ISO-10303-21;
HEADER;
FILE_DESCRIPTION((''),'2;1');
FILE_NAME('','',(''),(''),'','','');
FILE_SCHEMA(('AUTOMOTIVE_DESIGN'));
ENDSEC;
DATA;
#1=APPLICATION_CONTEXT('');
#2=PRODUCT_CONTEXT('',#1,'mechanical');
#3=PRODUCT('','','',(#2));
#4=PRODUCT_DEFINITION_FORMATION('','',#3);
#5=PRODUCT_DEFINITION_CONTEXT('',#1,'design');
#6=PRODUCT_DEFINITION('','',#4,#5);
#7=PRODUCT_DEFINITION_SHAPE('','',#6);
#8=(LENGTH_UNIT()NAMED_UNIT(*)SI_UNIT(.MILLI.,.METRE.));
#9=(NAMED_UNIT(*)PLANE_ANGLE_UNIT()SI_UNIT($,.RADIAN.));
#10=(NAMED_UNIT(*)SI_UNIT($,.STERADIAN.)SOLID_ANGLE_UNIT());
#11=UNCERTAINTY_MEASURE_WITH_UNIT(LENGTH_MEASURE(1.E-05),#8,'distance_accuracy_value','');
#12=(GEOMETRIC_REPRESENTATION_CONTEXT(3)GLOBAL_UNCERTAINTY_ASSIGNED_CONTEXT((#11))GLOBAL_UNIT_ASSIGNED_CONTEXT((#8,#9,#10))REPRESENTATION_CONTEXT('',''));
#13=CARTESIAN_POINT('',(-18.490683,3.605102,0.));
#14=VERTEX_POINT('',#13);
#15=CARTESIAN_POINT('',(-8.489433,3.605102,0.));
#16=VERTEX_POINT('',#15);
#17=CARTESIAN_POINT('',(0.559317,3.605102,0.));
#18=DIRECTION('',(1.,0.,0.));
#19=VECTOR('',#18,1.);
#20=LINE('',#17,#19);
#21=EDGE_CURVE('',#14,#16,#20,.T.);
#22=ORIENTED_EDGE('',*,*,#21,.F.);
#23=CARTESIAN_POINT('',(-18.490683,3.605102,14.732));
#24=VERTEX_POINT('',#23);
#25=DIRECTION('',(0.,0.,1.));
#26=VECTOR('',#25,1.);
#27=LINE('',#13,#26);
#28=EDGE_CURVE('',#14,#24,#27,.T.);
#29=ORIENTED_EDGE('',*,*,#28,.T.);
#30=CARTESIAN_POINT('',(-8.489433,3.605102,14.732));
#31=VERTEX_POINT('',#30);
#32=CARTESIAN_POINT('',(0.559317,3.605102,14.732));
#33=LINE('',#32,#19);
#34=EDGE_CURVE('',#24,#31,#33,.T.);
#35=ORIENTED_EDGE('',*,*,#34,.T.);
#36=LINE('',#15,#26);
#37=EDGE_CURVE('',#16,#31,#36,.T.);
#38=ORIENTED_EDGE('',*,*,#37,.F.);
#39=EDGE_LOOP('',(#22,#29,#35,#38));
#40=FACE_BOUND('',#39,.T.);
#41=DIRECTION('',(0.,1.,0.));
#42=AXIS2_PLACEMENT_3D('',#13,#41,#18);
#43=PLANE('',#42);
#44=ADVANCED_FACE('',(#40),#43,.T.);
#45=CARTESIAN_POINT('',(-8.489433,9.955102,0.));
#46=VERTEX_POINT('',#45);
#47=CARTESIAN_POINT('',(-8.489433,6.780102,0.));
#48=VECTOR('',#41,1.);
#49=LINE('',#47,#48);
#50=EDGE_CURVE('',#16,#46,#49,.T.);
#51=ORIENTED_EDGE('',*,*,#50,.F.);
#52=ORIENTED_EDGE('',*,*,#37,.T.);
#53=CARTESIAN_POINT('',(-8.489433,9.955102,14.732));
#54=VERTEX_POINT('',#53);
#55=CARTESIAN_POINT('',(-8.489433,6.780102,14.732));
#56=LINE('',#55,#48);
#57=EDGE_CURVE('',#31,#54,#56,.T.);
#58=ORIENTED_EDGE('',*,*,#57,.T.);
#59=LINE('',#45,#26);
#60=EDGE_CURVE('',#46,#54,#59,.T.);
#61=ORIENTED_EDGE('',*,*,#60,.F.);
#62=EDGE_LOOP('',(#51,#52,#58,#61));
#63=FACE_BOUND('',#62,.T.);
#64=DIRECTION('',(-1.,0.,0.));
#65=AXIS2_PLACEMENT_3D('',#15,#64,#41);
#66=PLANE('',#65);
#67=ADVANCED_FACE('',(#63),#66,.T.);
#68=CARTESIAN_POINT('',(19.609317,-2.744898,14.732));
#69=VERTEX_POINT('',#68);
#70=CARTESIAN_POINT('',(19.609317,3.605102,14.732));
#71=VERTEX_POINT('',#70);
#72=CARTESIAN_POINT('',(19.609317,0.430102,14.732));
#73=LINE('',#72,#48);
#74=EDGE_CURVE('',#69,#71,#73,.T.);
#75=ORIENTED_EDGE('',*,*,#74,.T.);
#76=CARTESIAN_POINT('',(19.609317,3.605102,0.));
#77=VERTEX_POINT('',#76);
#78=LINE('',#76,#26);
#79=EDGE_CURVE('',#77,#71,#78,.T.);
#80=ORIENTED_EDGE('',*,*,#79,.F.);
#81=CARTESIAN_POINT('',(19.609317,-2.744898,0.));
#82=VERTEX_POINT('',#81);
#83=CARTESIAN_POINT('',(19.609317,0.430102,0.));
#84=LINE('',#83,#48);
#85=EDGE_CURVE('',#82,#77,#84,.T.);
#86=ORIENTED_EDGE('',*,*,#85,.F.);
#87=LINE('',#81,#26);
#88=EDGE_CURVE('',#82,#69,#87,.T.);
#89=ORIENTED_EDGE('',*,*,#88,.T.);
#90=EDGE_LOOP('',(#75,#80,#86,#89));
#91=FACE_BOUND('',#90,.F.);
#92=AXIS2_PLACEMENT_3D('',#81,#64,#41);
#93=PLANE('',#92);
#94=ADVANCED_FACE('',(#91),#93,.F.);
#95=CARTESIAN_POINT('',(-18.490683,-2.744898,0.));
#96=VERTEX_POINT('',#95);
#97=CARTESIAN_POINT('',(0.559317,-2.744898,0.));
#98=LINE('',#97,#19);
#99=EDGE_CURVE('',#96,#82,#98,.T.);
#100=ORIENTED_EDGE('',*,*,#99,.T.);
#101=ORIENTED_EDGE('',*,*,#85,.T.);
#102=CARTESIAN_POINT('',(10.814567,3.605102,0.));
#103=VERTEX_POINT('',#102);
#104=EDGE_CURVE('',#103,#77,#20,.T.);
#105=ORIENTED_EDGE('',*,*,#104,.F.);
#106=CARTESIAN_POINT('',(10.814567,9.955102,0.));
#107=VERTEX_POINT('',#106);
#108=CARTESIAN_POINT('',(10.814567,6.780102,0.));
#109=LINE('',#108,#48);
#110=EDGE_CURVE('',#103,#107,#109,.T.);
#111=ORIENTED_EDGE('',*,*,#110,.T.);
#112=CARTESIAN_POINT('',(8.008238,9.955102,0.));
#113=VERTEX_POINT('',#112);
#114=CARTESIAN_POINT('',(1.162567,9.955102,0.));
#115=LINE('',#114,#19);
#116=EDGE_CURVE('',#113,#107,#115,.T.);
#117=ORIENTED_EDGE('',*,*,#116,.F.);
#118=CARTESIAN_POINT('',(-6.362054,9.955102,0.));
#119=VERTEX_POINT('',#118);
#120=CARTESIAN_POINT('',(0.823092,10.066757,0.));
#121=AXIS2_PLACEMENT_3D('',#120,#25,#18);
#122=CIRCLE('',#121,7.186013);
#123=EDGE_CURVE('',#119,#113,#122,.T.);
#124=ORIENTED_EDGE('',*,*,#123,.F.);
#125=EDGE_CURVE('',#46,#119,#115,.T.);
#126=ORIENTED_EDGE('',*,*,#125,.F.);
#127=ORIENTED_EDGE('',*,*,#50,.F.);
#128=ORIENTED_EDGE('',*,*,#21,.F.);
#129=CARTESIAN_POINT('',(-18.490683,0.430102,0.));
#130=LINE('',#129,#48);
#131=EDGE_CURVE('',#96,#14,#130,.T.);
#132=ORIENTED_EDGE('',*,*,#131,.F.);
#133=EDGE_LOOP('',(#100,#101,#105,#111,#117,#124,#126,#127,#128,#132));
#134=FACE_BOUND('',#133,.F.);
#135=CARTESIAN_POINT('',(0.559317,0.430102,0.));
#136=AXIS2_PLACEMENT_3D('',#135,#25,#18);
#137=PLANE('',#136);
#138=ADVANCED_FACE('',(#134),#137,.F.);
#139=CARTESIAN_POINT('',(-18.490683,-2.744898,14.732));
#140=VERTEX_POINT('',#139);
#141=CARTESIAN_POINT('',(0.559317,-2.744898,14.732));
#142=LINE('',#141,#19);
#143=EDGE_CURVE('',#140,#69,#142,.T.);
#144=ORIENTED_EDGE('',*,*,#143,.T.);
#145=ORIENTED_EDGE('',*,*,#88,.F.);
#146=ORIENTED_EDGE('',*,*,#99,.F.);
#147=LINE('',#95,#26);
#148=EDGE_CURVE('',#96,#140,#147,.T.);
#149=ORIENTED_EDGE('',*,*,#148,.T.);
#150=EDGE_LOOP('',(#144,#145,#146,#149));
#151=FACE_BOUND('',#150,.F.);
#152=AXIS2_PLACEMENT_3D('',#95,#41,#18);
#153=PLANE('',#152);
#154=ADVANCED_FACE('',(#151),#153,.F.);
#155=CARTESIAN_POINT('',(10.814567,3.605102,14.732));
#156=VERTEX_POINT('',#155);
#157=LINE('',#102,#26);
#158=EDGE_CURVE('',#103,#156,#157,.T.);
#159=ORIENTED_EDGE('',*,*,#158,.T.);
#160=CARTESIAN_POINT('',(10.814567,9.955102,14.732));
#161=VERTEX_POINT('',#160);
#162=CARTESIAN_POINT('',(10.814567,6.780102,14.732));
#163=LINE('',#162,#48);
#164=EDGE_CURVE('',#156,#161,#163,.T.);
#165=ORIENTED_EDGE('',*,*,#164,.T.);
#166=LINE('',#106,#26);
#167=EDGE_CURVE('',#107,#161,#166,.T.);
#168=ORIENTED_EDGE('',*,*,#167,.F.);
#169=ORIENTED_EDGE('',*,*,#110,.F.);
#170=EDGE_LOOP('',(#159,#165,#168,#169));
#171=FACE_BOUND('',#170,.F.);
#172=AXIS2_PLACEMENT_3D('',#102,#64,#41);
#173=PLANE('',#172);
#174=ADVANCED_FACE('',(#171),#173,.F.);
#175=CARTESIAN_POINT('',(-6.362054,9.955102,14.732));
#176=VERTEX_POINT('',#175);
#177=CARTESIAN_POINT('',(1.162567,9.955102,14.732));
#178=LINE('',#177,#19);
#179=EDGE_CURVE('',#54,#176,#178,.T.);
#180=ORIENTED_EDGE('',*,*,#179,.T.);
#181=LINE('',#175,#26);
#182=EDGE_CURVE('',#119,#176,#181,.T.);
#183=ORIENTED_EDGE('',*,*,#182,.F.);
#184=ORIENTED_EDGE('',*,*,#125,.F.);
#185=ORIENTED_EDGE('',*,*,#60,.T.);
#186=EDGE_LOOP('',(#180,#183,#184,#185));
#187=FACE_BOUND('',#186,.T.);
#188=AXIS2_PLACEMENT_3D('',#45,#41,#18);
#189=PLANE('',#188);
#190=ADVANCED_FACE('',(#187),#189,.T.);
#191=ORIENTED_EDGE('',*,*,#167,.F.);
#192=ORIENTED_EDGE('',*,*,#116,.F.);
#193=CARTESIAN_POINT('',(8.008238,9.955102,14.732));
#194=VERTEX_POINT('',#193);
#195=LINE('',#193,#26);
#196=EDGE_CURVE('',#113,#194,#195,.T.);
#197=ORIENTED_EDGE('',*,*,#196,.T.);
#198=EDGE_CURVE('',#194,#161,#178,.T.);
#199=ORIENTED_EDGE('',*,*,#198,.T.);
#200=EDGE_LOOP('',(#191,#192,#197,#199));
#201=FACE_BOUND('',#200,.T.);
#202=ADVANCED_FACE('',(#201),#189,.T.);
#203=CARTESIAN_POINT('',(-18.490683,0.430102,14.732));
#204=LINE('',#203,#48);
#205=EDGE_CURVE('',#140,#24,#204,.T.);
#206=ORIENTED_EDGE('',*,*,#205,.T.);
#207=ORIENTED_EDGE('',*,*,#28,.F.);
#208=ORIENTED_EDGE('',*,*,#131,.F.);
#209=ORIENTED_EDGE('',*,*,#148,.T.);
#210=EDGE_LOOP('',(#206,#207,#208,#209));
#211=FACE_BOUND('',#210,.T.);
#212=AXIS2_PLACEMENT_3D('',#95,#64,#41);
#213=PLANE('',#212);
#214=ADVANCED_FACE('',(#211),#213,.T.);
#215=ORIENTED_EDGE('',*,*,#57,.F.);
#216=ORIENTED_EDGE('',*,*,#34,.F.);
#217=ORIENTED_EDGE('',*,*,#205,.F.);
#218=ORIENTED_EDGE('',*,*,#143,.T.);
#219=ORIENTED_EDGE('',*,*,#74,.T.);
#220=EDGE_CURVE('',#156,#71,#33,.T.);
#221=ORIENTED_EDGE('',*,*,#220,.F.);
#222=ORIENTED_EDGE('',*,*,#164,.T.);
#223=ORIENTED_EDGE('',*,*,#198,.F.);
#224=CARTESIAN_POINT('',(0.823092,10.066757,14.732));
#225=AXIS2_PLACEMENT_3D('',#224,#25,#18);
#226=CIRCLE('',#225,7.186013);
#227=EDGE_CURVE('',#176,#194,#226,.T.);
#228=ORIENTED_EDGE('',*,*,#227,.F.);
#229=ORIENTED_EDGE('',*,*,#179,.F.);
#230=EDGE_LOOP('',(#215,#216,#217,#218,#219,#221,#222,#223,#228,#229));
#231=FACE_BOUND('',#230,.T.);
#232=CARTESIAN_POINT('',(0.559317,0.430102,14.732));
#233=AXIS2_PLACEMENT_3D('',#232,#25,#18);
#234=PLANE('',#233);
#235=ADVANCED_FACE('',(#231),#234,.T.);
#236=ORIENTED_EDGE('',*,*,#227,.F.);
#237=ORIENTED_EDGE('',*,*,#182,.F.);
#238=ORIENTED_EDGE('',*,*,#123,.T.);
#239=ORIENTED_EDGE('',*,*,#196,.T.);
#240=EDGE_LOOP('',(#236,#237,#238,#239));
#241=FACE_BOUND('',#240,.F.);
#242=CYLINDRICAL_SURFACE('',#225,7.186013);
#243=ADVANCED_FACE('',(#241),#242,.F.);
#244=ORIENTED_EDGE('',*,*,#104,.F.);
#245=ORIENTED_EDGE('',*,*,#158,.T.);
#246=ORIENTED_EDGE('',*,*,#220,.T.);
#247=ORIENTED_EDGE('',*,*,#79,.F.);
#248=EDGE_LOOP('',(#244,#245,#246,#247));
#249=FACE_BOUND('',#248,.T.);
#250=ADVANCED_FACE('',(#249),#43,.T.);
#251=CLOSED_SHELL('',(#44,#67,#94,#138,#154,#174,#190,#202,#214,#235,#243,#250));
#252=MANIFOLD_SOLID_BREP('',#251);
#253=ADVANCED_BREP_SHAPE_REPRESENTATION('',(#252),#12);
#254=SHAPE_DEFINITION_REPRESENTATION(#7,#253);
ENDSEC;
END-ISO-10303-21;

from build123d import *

# Parameters (mm, degrees)
F1_W     = 19.304
F1_H     = 6.35
F2_DEPTH = 14.732
F0_W     = 38.1
F0_H     = 6.35
F3_DEPTH = 14.732
F5_R     = 7.186013
F6_DEPTH = 14.733


with BuildPart() as f2:
    # F1 (on face) → F2 (new body)
    with BuildSketch(Plane.XY):
        with Locations((1.162567, 6.780102)):
            Rectangle(F1_W, F1_H)
    extrude(amount=F2_DEPTH)

    # F0 (on Top) → F3 (join)
    with BuildSketch(Plane.XY):
        with Locations((0.559317, 0.430102)):
            Rectangle(F0_W, F0_H)
    extrude(amount=F3_DEPTH)

    # F5 (on face) → F6 (cut, through all)
    with BuildSketch(Plane.XY.offset(14.732)):
        with Locations((0.823092, 10.066757)):
            Circle(F5_R)
    extrude(amount=-F6_DEPTH, mode=Mode.SUBTRACT)


solid = f2.part
